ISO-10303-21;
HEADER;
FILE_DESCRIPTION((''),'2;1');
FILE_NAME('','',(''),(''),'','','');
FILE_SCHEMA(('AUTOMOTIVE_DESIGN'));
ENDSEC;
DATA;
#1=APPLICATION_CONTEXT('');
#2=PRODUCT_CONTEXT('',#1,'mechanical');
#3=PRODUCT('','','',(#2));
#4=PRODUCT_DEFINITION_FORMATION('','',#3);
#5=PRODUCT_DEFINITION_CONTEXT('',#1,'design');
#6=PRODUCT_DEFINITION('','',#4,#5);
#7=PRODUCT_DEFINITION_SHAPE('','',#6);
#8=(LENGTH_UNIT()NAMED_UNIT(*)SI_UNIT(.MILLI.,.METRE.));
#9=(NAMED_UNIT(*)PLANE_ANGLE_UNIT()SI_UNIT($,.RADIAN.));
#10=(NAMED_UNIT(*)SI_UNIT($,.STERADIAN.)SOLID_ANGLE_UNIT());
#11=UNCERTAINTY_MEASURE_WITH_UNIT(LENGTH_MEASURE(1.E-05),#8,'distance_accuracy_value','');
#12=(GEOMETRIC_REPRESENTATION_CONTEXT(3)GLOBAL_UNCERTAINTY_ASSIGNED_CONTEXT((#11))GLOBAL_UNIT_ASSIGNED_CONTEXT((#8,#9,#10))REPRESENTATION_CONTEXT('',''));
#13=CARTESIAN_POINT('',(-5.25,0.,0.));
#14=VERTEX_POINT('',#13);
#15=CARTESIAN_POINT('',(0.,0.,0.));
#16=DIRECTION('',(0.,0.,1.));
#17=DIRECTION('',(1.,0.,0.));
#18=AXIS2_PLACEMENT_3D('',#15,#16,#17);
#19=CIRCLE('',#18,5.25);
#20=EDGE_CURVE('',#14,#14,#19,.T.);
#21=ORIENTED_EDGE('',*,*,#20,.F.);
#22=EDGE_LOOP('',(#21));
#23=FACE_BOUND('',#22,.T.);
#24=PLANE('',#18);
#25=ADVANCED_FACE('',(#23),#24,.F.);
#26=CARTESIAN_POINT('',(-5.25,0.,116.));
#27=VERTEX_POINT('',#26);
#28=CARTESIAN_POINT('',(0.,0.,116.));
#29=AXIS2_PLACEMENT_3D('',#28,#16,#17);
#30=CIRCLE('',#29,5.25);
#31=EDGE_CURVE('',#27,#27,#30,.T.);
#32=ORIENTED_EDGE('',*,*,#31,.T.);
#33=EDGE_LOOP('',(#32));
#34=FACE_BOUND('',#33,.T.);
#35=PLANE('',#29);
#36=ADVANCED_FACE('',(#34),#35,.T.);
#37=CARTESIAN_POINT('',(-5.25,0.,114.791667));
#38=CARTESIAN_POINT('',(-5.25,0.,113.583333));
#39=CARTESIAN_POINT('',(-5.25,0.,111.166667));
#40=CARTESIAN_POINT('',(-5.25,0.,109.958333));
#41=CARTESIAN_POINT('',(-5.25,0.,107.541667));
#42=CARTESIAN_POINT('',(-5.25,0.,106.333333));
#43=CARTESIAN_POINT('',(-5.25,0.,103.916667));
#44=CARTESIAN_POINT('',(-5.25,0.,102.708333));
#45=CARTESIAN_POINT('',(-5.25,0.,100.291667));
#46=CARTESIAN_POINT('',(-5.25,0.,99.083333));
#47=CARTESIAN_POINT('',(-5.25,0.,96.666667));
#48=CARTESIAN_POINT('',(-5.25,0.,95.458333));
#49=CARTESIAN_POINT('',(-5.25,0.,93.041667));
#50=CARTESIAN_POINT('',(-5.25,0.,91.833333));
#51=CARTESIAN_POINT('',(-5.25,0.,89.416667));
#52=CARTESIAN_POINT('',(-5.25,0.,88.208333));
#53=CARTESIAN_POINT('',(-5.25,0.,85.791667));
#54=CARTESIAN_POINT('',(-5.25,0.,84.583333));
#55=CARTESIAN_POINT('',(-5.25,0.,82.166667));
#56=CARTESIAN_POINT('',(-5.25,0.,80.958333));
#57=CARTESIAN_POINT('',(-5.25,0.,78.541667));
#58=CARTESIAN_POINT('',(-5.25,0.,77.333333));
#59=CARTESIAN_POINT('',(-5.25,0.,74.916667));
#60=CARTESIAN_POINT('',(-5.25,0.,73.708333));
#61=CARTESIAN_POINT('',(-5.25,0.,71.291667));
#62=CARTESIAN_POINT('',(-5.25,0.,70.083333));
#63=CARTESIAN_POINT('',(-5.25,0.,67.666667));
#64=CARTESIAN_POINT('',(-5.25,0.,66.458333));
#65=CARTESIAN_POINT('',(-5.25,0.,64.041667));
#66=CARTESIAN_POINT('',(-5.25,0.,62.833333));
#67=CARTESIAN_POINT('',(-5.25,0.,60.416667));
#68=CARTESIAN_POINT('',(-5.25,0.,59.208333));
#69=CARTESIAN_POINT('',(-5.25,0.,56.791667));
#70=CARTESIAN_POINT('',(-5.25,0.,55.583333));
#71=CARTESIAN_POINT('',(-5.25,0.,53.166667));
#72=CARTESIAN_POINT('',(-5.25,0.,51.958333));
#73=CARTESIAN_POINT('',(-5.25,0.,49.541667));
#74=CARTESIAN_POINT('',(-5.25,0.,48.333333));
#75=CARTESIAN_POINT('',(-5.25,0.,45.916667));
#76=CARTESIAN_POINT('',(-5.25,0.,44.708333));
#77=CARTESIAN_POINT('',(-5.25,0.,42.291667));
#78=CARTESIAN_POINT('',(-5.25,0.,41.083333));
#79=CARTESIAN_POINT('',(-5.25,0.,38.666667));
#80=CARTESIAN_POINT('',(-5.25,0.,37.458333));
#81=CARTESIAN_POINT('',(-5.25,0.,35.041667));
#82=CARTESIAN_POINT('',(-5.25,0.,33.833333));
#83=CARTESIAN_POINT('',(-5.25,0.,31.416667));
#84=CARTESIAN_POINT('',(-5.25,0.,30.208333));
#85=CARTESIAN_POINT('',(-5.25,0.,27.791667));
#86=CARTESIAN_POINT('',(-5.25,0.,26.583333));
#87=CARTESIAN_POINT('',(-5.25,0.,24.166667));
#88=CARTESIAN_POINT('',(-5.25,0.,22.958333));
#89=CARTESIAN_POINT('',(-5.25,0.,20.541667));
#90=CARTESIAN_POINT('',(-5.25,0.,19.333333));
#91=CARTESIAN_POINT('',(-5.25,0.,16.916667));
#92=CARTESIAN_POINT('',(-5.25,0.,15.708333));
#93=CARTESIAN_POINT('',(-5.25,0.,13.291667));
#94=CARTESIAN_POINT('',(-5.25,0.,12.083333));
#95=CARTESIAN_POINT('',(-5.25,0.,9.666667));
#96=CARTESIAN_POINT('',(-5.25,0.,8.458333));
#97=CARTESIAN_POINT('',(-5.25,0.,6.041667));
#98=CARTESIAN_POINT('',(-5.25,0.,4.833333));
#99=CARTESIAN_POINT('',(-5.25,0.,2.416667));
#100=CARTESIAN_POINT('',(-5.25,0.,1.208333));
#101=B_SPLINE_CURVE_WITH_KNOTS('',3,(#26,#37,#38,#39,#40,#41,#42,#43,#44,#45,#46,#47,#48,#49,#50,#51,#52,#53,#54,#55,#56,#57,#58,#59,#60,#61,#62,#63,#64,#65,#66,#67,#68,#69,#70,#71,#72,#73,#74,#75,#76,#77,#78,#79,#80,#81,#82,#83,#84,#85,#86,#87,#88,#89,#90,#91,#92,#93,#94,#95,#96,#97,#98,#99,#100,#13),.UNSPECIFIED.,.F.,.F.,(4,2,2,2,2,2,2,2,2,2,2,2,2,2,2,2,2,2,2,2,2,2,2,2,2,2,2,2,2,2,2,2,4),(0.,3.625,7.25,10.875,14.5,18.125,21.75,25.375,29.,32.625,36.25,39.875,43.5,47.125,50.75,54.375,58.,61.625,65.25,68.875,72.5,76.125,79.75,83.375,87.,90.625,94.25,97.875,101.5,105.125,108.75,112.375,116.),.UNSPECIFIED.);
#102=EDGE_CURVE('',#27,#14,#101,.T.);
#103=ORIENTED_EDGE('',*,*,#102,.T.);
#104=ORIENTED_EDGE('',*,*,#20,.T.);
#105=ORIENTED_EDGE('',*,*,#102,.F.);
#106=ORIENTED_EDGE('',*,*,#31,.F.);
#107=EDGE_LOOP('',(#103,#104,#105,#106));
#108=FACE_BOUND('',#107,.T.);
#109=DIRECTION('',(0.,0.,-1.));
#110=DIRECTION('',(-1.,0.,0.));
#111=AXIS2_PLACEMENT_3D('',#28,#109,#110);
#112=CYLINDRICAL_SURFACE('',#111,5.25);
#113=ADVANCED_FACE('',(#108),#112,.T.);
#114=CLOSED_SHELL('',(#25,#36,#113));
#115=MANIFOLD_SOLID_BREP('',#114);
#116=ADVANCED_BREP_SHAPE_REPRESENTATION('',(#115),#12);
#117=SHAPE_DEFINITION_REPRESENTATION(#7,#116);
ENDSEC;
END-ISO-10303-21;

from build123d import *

# Parameters (mm, degrees)
SKETCH_1_R      = 5.25
EXTRUDE_1_DEPTH = 116


with BuildPart() as part:
    # Эскиз1 → Вытянуть1 (new body)
    with BuildSketch(Plane.XY):
        with Locations(Location((0, 0, 0), (0, 0, 180))):
            Circle(SKETCH_1_R)
    extrude(amount=EXTRUDE_1_DEPTH)


solid = part.part
